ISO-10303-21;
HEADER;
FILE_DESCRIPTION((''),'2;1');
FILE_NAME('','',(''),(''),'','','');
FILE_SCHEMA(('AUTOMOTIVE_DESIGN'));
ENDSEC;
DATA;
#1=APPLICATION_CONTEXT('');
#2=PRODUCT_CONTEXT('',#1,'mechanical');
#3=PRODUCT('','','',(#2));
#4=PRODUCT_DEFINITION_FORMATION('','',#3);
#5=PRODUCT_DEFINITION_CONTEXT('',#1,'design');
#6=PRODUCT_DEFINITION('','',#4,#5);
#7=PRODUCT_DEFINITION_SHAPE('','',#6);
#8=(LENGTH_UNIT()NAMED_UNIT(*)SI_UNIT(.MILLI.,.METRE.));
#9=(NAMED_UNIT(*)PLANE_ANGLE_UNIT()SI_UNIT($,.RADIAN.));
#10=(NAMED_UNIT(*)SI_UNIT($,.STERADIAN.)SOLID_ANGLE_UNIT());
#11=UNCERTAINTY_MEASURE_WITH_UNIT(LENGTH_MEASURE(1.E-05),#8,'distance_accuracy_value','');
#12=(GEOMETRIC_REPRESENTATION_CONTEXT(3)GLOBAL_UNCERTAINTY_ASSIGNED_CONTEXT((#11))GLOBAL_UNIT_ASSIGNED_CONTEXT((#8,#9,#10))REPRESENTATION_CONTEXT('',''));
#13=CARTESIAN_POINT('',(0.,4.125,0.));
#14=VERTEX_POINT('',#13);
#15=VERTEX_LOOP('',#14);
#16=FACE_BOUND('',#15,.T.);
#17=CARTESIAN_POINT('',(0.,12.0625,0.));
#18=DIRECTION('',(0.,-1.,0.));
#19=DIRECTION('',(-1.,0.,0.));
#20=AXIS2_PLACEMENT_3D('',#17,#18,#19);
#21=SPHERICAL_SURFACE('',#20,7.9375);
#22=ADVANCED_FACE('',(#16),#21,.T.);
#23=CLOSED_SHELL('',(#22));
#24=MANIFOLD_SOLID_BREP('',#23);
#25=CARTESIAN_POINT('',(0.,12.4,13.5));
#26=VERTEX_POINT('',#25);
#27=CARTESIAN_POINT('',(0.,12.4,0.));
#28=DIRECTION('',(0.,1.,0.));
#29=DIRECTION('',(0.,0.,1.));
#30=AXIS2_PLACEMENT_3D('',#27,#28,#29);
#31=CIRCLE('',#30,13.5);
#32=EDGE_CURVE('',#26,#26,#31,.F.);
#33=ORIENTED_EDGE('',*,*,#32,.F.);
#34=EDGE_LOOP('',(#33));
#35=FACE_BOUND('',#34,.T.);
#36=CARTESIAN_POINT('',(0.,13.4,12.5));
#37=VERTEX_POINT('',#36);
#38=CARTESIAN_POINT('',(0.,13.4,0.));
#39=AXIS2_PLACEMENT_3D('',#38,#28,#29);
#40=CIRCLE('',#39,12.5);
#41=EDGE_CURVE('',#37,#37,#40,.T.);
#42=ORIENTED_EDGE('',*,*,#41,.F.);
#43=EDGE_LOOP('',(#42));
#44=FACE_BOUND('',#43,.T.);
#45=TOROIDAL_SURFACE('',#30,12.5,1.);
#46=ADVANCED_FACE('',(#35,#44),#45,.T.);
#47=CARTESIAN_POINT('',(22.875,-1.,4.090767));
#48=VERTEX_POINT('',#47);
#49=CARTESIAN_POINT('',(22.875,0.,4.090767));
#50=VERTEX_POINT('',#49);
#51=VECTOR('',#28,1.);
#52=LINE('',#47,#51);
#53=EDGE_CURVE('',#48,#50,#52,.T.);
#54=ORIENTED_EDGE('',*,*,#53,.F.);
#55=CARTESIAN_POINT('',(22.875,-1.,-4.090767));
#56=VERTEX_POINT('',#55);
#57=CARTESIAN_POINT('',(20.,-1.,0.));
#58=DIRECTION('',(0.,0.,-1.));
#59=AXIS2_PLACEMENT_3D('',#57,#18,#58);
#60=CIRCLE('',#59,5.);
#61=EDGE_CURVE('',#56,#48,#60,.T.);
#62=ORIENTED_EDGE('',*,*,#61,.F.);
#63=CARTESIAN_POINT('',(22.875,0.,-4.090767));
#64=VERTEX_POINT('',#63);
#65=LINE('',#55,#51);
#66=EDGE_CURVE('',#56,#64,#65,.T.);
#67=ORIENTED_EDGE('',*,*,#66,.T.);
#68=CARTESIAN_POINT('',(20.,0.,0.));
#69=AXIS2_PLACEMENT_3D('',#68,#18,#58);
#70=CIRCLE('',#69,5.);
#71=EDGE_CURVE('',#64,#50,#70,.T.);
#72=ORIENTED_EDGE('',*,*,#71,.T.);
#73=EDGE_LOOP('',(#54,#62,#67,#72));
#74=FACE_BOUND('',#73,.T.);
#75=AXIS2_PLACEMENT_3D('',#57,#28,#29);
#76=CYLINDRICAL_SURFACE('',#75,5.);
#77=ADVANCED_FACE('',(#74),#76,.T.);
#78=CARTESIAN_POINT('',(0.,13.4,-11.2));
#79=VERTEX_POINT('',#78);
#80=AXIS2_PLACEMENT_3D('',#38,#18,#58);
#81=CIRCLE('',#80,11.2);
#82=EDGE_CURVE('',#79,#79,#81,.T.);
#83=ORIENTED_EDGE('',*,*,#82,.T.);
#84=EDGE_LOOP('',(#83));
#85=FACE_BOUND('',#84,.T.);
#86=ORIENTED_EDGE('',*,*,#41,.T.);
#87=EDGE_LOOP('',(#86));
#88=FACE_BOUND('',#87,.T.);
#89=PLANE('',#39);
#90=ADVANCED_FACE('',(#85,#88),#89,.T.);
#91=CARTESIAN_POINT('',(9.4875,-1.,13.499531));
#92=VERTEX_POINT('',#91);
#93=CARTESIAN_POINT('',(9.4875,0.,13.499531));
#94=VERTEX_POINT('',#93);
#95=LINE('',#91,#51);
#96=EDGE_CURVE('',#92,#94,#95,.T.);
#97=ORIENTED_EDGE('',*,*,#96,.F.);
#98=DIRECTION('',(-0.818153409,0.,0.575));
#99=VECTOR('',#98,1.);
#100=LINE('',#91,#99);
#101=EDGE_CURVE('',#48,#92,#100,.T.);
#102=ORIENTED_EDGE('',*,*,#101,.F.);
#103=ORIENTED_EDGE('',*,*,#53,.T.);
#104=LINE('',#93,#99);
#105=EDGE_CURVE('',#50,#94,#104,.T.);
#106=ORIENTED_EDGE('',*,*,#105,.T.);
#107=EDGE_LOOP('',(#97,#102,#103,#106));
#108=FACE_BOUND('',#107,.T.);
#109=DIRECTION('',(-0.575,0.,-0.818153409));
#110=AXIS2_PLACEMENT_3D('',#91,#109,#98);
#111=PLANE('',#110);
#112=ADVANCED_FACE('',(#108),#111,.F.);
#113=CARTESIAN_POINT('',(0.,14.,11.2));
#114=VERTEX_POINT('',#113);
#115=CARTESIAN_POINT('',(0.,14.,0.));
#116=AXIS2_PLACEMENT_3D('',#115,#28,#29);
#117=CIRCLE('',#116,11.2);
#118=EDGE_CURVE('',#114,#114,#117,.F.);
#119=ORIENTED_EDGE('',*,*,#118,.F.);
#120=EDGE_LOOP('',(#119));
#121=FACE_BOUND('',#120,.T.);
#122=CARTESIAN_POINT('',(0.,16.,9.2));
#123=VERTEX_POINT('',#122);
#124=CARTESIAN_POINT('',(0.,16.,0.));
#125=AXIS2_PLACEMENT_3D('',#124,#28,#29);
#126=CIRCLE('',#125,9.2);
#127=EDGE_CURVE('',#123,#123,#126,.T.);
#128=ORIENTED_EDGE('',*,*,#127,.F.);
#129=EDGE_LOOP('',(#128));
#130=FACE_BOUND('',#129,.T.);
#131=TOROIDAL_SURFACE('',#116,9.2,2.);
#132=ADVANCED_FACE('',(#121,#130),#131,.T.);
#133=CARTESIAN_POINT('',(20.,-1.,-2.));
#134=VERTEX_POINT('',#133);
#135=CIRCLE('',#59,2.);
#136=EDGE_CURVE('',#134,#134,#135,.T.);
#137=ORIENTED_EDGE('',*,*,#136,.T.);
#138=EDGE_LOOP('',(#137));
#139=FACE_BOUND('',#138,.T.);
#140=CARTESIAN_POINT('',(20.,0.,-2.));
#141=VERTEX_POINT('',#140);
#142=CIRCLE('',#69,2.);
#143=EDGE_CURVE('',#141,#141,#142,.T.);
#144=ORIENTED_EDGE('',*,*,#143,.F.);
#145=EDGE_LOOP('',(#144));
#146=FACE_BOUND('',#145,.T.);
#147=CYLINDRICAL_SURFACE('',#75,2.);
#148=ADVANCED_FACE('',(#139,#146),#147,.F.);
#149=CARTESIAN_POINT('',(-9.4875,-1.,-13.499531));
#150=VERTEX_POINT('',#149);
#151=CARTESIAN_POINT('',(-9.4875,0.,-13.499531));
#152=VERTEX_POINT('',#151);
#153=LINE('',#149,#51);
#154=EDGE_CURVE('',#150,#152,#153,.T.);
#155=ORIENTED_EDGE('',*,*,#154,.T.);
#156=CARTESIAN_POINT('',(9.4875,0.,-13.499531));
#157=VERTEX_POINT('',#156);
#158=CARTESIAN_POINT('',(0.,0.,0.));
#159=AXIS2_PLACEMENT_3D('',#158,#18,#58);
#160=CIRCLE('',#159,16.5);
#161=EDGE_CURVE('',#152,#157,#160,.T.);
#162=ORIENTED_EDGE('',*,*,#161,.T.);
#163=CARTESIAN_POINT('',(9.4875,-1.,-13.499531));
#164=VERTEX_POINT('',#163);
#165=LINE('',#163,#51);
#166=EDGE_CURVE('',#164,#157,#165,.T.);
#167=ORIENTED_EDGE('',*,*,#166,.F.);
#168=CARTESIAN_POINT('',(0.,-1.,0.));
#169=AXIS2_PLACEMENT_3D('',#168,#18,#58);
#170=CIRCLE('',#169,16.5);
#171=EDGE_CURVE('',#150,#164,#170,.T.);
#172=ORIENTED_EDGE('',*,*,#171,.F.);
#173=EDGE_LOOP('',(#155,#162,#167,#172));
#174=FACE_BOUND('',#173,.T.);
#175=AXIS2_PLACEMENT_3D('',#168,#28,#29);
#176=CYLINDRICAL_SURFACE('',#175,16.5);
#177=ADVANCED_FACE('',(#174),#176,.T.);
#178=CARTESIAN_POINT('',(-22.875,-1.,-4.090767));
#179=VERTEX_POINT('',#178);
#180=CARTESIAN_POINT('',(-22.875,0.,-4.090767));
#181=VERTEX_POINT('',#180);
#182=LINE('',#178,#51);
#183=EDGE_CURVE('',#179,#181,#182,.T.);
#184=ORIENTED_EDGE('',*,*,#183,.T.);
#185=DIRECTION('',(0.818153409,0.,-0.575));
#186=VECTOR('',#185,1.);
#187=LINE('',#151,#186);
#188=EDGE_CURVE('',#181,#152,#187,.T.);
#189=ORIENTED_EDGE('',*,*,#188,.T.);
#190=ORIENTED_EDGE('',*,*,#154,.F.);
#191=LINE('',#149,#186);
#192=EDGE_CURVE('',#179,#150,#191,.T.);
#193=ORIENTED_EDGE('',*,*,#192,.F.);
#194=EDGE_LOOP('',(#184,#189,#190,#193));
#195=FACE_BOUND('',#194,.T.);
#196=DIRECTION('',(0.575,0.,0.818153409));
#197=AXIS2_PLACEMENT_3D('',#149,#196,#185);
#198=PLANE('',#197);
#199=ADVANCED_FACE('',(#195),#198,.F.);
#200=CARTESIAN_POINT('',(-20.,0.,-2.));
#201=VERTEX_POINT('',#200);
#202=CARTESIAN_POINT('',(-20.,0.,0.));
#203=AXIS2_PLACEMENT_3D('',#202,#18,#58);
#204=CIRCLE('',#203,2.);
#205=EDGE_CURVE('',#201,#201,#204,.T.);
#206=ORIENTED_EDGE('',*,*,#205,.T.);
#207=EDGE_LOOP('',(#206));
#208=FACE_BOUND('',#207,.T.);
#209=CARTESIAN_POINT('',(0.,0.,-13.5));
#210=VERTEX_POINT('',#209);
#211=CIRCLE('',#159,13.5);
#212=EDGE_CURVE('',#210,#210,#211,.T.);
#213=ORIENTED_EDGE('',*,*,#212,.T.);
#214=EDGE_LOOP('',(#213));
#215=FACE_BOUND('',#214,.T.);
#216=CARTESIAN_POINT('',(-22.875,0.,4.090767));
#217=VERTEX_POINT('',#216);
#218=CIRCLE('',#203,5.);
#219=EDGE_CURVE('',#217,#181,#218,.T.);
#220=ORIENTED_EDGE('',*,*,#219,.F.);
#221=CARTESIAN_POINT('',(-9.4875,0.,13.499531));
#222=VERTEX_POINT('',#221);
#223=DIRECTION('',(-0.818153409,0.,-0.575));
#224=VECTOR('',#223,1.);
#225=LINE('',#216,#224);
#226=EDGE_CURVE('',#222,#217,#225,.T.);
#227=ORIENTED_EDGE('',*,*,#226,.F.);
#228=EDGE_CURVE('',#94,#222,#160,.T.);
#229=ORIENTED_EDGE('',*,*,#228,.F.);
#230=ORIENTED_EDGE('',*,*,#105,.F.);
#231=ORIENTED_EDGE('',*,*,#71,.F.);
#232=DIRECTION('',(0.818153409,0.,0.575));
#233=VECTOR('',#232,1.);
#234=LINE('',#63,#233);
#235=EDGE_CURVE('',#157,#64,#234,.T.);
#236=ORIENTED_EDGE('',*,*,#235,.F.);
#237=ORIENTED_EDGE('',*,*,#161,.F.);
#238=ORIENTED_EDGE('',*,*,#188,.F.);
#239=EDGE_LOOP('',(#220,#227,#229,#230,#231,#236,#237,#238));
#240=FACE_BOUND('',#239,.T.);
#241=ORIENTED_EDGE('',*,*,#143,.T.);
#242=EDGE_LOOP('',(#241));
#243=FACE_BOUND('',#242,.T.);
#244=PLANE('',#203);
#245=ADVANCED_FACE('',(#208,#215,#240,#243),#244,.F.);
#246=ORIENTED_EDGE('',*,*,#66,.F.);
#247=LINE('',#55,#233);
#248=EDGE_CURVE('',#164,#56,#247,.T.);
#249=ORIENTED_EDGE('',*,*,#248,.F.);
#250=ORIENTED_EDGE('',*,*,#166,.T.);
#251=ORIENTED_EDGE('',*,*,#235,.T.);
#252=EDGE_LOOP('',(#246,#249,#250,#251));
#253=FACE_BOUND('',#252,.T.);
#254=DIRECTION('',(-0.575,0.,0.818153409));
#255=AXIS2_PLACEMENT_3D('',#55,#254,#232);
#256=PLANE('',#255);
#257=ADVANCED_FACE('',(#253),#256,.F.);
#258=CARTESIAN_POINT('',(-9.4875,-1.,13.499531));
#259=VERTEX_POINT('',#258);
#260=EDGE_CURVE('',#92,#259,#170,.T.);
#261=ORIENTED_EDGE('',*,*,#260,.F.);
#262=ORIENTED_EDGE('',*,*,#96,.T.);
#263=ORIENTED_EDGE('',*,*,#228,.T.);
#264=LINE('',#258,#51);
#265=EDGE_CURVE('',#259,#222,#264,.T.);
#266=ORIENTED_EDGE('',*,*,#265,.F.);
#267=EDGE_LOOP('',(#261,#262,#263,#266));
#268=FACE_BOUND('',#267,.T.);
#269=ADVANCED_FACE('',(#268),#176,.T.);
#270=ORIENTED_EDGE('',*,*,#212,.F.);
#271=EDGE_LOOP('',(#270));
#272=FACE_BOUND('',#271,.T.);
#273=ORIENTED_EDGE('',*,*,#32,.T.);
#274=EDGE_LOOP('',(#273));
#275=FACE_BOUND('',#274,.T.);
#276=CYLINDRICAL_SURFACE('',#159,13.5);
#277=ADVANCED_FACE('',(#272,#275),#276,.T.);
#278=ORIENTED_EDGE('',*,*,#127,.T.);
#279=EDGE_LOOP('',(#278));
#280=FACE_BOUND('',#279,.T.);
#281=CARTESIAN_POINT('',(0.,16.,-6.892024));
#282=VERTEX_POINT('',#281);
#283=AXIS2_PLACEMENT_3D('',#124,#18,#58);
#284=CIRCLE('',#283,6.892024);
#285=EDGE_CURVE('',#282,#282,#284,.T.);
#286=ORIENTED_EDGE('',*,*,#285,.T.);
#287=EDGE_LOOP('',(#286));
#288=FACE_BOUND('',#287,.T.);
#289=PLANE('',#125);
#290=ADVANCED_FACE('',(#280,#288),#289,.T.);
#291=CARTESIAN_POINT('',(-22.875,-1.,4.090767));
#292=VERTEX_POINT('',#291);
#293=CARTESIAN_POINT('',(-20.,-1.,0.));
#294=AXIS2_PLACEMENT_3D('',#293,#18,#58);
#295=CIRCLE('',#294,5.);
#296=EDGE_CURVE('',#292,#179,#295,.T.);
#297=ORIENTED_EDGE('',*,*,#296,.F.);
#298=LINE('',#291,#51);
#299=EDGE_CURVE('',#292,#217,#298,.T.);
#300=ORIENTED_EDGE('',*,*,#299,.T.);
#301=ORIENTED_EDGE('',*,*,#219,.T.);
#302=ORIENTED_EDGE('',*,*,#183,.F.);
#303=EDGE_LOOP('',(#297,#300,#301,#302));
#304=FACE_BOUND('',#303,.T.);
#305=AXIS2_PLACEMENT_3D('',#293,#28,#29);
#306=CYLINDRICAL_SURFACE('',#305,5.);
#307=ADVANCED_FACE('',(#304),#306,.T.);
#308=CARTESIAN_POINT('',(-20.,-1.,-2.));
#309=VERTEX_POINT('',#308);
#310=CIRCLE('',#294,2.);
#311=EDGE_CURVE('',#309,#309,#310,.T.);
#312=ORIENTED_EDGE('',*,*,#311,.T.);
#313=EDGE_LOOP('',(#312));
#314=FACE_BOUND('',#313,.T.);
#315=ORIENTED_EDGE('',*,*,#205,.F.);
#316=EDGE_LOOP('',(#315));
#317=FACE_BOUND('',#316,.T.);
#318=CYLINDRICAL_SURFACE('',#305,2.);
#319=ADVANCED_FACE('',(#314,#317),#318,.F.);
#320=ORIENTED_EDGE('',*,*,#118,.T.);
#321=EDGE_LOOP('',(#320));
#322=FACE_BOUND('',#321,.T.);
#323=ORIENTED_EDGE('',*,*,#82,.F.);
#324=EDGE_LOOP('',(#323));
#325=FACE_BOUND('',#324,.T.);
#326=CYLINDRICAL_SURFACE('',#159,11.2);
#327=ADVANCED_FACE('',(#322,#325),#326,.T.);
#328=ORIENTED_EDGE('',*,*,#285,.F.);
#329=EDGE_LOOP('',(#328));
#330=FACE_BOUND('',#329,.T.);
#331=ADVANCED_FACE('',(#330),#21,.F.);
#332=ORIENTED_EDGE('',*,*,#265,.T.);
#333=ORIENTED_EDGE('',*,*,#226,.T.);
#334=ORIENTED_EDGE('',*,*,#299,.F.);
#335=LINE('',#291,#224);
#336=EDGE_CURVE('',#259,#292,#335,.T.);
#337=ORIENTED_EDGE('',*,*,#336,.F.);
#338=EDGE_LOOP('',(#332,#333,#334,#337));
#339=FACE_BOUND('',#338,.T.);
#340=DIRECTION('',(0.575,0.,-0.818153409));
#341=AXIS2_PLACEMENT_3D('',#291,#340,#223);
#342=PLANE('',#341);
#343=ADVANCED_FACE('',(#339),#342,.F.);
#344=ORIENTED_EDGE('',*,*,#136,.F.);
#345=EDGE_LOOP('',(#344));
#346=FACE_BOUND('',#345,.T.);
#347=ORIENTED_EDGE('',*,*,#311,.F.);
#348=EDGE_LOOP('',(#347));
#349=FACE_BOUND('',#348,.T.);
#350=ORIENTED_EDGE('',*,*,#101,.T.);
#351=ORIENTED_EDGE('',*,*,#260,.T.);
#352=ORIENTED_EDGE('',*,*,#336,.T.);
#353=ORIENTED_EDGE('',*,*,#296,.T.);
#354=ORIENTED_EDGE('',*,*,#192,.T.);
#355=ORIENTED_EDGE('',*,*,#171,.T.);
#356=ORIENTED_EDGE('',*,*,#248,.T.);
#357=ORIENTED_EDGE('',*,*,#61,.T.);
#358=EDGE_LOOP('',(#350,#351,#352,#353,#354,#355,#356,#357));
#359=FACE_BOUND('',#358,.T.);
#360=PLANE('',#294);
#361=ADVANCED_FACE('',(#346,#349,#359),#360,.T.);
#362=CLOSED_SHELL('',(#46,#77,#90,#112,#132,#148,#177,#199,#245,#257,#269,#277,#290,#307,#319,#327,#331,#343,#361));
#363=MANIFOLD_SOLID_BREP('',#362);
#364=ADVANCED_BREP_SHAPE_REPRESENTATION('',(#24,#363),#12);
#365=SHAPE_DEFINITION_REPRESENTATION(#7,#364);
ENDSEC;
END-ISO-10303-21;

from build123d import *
from OCP.BRepFilletAPI import BRepFilletAPI_MakeFillet

# Parameters (mm, degrees)
SKETCH2_R           = 2
BOSS_EXTRUDE1_DEPTH = 1
FILLET1_R1          = 2
FILLET1_R2          = 1


with BuildPart() as part:
    # Sketch1 → Revolve1 (revolve)
    with BuildSketch(Plane.XY):
        with BuildLine():
            Line((-13.5, 0), (0, 0))
            Line((0, 0), (0, 4.125))
            ThreePointArc((0, 4.125), (-6.865049617, 8.078155637), (-6.892024376, 16))
            Line((-6.892024376, 16), (-11.2, 16))
            Line((-11.2, 16), (-11.2, 13.4))
            Line((-11.2, 13.4), (-13.5, 13.4))
            Line((-13.5, 13.4), (-13.5, 0))
        make_face()
    revolve(axis=Axis((0, 0, 0), (0, 1, 0)))

    # Sketch2 → Boss-Extrude1 (add)
    with BuildSketch(Plane.XZ):
        with BuildLine():
            Line((-22.875, 4.090767043), (-9.4875, 13.499531242))
            ThreePointArc((-9.4875, 13.499531242), (0, 16.5), (9.4875, 13.499531242))
            Line((9.4875, 13.499531242), (22.875, 4.090767043))
            ThreePointArc((22.875, 4.090767043), (25, 0), (22.875, -4.090767043))
            Line((22.875, -4.090767043), (9.4875, -13.499531242))
            ThreePointArc((9.4875, -13.499531242), (0, -16.5), (-9.4875, -13.499531242))
            Line((-9.4875, -13.499531242), (-22.875, -4.090767043))
            ThreePointArc((-22.875, -4.090767043), (-25, 0), (-22.875, 4.090767043))
        make_face()
        with Locations((-20, 0)):
            Circle(SKETCH2_R, mode=Mode.SUBTRACT)
        with Locations((20, 0)):
            Circle(SKETCH2_R, mode=Mode.SUBTRACT)
    extrude(amount=BOSS_EXTRUDE1_DEPTH)

    # Fillet1: one fillet with a radius per group of edges: ONE call of the kernel's fillet builder (fillet() takes one radius for all edges)
    fillet1_edges_1 = [part.edges().sort_by_distance(p)[0] for p in [
        (11.2, 16, 0),
    ]]
    fillet1_edges_2 = [part.edges().sort_by_distance(p)[0] for p in [
        (13.5, 13.4, 0),
    ]]
    fillet1 = BRepFilletAPI_MakeFillet(part.part.solid().wrapped)
    for e in fillet1_edges_1:
        fillet1.Add(FILLET1_R1, e.wrapped)
    for e in fillet1_edges_2:
        fillet1.Add(FILLET1_R2, e.wrapped)
    add(Compound.cast(fillet1.Shape()), mode=Mode.REPLACE)


with BuildPart() as body_2:
    # Sketch1<4> → Revolve2 (revolve)
    with BuildSketch(Plane.XY):
        with BuildLine():
            ThreePointArc((-6.892024376, 16), (-6.865049617, 8.078155637), (0, 4.125))
            Line((0, 4.125), (0, 20))
            ThreePointArc((0, 20), (-3.984344363, 18.927549617), (-6.892024376, 16))
        make_face()
    revolve(axis=Axis((0, 0, 0), (0, 1, 0)))


solid = Compound([part.part, body_2.part])
